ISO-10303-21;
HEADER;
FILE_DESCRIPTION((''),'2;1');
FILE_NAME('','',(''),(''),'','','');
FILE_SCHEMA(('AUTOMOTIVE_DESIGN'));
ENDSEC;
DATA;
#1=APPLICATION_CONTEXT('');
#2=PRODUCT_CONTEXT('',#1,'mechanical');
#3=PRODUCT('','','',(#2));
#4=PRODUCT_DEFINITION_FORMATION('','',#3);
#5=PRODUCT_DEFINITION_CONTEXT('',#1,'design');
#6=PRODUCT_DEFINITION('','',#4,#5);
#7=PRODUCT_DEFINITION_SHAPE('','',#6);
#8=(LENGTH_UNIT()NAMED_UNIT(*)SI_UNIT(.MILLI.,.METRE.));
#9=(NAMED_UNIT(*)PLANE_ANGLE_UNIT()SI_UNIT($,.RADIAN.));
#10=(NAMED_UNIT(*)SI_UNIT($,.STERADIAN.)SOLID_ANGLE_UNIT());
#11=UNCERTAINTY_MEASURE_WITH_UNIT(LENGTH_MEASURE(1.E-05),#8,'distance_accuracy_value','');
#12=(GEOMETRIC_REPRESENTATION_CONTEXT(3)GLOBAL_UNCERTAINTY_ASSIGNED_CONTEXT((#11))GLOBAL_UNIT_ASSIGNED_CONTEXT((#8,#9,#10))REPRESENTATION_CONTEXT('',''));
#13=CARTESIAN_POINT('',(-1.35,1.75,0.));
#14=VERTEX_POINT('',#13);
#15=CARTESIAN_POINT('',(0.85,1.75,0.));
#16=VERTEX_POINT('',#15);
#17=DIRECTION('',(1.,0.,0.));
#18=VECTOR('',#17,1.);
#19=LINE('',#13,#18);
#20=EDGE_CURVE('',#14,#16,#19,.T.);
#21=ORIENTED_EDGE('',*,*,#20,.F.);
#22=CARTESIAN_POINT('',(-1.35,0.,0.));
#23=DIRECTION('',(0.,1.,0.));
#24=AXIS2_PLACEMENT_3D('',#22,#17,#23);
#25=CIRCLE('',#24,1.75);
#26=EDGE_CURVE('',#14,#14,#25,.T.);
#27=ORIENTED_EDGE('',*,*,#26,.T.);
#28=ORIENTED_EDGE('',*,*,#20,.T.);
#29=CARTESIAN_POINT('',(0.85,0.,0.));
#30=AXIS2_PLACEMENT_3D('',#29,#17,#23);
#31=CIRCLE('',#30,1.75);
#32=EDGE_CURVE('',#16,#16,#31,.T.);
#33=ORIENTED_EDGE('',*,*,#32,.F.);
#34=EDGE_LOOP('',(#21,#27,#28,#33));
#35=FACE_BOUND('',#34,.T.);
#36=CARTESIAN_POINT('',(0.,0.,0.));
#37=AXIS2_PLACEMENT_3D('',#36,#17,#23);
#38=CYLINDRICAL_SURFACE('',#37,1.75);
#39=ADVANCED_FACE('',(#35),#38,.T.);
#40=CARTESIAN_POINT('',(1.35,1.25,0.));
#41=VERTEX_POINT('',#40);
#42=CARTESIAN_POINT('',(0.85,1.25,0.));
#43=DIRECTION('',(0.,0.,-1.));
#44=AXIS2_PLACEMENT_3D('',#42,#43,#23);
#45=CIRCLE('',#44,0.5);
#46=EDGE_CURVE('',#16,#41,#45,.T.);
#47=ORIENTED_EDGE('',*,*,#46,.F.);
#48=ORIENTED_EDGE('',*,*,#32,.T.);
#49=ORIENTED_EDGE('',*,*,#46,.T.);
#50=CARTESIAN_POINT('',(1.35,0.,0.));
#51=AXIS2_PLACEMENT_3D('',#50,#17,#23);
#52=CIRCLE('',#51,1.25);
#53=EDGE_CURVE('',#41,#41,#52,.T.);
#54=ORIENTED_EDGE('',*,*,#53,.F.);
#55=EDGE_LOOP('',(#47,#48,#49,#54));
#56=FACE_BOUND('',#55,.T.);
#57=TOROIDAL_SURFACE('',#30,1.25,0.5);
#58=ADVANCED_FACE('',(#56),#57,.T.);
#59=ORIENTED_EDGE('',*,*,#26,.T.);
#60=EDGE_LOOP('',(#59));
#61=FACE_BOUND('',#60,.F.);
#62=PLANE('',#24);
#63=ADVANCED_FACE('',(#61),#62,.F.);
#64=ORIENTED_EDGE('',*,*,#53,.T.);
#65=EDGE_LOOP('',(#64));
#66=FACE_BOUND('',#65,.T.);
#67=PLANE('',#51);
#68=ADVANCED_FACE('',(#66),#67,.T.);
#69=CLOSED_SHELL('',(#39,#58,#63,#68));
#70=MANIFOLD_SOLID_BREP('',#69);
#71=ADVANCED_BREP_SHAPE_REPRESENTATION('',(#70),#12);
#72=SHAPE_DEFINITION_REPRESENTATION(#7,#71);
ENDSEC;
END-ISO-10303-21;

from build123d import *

# Parameters (mm, degrees)
F0_R     = 1.75
F1_DEPTH = 1.35
F2_R     = 0.5


with BuildPart() as f1:
    # F0 (on Right) → F1 (new body, symmetric)
    with BuildSketch(Plane.YZ):
        Circle(F0_R)
    extrude(amount=F1_DEPTH, both=True)

    # F2
    f2_edges = [f1.edges().sort_by_distance(p)[0] for p in [
        (1.35, -1.75, 0),
    ]]
    fillet(f2_edges, radius=F2_R)


solid = f1.part
